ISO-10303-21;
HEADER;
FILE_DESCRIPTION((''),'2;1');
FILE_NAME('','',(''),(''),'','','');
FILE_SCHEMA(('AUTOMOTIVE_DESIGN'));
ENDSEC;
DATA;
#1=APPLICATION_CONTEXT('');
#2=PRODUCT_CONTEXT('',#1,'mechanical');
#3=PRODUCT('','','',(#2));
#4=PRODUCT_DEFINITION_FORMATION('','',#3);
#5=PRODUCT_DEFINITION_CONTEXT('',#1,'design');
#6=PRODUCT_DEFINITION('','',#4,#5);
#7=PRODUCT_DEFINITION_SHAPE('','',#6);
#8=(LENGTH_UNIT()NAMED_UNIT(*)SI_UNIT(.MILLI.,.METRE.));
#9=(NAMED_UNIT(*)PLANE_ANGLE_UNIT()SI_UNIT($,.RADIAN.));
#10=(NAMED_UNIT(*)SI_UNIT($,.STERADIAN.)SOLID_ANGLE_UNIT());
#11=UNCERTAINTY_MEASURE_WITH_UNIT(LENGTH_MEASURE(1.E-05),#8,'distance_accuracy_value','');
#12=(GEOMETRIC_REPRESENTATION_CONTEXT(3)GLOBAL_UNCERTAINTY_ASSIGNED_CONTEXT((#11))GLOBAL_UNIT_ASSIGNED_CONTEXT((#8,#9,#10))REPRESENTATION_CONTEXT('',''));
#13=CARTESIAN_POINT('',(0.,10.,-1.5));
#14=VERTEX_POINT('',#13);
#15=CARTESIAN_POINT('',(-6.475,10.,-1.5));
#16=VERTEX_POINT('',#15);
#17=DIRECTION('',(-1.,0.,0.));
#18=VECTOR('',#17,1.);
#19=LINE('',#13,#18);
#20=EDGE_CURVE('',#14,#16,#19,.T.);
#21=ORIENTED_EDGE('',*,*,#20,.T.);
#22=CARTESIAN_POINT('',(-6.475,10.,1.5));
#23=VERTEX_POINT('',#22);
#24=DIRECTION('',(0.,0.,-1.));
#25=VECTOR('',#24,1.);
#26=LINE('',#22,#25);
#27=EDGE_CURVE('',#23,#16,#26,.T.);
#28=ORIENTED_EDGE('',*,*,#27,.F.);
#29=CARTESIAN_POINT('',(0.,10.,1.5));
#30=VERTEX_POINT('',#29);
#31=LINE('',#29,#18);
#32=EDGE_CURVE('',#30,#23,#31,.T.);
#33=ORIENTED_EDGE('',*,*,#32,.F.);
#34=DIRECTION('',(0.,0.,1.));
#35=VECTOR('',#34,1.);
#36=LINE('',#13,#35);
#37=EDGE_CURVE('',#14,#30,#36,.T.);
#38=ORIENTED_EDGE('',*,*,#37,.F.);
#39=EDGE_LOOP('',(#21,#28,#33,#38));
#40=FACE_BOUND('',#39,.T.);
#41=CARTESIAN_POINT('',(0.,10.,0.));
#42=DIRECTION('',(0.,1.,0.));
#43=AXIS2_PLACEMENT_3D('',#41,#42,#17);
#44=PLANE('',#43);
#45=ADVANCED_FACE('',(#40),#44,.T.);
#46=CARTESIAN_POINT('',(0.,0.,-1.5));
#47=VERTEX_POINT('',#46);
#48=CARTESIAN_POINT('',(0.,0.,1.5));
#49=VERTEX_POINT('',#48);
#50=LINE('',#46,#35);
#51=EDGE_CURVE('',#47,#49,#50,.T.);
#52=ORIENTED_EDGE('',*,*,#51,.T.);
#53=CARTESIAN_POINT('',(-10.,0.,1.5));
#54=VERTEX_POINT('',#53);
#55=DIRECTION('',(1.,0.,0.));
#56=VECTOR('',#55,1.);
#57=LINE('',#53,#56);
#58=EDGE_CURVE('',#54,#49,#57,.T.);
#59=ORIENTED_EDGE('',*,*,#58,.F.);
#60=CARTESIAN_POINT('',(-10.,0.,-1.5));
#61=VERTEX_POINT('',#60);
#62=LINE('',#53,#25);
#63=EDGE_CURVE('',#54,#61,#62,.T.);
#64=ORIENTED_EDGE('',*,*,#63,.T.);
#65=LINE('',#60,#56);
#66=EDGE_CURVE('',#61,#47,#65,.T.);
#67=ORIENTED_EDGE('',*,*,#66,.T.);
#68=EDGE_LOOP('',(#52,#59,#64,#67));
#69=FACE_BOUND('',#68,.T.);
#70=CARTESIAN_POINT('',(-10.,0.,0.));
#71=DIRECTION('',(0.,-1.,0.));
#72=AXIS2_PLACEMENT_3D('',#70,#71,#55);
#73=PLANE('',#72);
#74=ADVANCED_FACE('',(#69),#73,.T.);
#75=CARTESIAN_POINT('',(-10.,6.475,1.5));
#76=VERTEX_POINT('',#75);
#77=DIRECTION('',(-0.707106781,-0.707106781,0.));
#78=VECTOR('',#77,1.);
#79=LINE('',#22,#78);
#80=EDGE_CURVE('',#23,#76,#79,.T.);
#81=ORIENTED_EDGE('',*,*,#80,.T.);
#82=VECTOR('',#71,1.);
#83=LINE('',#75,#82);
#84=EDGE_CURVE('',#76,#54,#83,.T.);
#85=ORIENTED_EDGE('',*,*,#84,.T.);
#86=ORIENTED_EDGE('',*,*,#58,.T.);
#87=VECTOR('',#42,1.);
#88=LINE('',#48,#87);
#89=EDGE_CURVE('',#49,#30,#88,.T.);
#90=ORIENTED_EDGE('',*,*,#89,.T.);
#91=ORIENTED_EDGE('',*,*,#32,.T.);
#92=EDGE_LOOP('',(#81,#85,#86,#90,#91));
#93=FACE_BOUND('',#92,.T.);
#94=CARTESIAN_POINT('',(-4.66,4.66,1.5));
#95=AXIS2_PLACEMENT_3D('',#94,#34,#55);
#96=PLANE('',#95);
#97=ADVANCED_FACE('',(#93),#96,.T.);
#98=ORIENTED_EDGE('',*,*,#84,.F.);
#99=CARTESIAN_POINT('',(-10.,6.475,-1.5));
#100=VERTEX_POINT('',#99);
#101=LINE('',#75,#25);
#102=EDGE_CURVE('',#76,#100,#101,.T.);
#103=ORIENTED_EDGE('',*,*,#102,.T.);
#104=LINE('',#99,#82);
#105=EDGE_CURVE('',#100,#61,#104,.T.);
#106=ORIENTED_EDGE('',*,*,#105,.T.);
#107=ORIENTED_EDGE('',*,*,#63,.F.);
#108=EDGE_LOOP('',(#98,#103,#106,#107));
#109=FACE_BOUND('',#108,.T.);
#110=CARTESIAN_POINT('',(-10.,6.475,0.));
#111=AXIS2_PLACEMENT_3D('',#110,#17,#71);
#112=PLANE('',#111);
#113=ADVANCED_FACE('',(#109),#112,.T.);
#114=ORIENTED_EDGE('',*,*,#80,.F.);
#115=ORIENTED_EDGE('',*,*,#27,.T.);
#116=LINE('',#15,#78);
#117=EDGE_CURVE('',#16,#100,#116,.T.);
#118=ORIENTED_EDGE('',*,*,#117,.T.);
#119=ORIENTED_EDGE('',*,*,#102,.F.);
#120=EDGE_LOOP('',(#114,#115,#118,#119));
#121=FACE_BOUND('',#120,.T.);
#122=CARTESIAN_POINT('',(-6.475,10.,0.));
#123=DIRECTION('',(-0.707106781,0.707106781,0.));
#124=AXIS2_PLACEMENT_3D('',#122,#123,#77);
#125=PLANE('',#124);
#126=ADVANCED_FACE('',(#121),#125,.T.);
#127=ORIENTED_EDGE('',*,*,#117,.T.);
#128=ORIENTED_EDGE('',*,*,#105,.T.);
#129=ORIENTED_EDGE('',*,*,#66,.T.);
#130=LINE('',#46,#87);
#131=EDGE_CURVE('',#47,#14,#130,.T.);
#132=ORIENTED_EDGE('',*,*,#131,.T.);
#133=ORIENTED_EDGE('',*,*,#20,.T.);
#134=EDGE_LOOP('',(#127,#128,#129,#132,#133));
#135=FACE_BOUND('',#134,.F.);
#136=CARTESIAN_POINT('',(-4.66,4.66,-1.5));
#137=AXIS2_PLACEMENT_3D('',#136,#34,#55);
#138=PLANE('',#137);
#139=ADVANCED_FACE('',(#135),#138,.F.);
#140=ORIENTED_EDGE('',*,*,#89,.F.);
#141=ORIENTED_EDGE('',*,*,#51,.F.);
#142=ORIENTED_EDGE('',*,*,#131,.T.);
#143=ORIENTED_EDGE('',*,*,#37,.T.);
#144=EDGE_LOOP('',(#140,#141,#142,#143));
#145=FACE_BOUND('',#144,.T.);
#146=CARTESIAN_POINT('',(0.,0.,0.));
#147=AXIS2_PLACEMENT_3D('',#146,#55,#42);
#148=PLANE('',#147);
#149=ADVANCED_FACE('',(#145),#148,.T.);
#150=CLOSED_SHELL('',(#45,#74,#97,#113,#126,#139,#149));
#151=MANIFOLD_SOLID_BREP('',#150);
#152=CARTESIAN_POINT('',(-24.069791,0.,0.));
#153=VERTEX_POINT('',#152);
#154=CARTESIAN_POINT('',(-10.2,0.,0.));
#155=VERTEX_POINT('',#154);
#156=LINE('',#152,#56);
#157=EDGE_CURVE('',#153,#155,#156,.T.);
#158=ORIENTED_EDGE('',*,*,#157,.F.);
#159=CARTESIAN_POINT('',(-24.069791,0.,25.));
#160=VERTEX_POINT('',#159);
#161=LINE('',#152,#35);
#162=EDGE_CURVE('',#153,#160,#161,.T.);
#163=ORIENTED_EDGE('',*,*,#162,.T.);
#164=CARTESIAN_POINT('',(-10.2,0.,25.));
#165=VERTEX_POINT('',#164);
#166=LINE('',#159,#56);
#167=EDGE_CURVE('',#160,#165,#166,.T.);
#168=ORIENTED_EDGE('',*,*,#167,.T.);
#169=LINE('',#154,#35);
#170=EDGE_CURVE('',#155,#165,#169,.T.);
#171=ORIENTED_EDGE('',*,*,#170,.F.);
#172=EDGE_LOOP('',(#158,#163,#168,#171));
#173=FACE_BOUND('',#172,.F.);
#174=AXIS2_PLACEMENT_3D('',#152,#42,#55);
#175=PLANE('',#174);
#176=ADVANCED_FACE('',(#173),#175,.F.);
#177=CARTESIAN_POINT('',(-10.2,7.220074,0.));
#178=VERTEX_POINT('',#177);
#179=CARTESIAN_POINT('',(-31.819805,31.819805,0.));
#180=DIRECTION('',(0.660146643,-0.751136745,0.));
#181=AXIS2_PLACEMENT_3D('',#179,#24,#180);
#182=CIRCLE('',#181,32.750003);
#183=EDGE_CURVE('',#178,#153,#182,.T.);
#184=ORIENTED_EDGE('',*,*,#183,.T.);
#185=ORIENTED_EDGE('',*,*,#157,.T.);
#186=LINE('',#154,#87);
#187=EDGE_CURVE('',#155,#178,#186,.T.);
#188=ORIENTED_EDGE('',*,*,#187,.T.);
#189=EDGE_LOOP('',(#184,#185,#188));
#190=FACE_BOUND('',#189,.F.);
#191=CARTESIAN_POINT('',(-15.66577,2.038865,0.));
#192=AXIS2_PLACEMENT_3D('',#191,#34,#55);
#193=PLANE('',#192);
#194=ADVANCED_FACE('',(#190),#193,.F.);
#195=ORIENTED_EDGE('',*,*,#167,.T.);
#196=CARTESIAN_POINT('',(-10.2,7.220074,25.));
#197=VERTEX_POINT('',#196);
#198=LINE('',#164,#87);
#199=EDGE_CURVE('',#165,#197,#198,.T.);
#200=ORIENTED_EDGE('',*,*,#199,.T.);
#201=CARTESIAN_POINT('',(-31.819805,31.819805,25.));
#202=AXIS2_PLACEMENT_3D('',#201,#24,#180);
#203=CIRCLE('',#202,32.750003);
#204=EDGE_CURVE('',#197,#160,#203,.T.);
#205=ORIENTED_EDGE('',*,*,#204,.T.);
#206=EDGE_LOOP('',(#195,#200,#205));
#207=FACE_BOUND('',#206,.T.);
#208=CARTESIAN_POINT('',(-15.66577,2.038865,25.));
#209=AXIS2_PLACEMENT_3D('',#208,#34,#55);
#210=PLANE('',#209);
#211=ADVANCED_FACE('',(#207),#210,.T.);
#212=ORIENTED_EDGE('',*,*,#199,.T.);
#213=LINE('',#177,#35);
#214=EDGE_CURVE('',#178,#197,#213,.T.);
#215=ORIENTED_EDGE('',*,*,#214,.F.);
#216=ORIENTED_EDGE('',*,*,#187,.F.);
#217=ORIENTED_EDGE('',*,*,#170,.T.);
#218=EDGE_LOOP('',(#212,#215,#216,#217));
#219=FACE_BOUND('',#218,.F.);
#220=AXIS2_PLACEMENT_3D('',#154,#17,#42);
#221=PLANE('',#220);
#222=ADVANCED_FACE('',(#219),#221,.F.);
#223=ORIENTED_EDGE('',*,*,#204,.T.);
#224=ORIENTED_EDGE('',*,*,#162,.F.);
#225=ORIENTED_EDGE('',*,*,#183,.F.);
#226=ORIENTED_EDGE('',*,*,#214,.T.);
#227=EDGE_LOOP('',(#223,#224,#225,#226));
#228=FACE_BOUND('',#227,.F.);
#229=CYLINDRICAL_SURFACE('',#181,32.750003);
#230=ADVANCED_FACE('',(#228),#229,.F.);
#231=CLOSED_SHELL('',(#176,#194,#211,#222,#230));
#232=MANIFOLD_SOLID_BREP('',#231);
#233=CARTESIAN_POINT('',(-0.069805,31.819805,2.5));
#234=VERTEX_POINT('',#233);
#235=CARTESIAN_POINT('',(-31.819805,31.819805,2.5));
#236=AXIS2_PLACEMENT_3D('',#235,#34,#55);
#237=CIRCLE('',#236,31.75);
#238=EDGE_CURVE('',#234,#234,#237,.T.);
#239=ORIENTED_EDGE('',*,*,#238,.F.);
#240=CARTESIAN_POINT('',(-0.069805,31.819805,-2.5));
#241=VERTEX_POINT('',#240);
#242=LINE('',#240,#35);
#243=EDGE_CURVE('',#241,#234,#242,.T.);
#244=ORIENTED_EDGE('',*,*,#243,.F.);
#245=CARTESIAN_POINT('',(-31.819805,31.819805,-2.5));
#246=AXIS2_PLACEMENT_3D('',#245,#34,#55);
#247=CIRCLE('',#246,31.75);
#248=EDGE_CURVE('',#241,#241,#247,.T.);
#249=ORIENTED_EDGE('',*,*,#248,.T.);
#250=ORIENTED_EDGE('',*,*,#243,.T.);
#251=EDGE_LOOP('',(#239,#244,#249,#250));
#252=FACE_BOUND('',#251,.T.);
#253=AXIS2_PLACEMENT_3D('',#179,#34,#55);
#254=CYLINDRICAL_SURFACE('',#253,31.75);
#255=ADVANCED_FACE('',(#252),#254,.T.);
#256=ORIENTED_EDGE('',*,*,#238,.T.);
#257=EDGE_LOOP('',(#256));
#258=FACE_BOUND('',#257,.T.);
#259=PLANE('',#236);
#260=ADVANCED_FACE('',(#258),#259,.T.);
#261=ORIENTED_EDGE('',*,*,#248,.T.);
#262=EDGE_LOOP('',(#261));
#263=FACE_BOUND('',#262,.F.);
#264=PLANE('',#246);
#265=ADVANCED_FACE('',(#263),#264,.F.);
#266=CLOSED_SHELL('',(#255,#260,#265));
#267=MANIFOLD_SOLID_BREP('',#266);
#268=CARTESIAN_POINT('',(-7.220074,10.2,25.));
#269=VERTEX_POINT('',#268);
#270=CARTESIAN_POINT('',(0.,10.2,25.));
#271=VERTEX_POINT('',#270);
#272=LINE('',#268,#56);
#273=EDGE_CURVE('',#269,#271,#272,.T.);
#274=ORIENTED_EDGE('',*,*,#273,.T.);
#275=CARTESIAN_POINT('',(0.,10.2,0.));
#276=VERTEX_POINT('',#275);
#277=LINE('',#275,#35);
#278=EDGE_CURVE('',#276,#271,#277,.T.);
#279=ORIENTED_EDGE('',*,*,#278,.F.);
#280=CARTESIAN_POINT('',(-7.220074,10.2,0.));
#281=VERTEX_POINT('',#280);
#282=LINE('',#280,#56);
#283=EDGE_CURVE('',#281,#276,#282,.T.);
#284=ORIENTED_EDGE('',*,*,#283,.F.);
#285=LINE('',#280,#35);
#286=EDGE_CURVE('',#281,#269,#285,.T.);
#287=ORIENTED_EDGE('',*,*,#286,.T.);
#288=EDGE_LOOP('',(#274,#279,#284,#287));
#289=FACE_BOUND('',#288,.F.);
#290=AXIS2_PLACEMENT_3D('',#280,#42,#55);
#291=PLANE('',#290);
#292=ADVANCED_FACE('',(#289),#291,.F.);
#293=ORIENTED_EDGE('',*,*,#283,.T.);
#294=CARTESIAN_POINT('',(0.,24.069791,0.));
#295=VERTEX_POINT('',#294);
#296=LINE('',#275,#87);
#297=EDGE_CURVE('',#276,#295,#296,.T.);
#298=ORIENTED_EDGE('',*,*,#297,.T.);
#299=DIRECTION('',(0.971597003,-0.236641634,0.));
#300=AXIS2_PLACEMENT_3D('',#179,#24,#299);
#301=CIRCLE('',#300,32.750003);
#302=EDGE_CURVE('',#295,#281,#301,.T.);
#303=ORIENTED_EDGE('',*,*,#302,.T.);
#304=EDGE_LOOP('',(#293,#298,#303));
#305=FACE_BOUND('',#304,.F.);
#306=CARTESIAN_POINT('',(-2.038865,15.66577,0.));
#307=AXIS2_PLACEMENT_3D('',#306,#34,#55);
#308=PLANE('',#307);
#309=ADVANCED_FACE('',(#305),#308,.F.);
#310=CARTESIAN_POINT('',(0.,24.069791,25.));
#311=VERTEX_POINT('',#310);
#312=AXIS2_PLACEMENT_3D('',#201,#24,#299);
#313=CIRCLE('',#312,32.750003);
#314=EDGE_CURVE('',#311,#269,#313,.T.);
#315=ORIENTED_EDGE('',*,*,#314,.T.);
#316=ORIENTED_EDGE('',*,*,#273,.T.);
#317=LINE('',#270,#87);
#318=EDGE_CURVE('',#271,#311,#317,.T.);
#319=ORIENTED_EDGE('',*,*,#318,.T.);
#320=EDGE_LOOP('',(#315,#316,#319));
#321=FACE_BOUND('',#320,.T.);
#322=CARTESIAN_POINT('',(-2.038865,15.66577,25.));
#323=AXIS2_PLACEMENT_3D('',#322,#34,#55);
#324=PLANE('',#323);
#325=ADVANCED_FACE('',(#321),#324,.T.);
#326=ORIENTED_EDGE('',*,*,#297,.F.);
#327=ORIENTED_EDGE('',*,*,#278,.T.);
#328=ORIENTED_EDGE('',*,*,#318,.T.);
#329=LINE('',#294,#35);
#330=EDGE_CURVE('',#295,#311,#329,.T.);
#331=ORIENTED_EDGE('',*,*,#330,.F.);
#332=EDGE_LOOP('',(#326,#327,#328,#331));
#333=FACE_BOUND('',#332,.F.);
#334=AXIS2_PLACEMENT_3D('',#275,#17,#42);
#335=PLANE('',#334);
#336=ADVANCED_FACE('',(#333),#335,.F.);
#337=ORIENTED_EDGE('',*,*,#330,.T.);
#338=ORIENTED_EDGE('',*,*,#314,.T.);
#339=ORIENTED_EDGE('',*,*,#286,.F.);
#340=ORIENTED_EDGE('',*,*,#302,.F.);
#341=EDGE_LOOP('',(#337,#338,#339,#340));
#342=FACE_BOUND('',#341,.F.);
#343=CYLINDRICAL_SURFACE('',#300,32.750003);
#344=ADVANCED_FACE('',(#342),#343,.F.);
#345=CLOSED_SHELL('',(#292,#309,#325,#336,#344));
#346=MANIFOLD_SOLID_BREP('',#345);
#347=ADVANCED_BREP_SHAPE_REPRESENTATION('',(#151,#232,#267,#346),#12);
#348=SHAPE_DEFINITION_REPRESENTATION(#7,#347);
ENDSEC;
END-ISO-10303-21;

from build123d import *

# Parameters (mm, degrees)
F0_R     = 31.75
F1_DEPTH = 2.5
F3_DEPTH = 1.5
F4_DEPTH = 25


with BuildPart() as f1:
    # F0 (on Top) → F1 (new body, symmetric)
    with BuildSketch(Plane.XY):
        with Locations((-31.8198051534, 31.8198051534)):
            Circle(F0_R)
    extrude(amount=F1_DEPTH, both=True)


with BuildPart() as f3:
    # F2 (on Top) → F3 (new body, symmetric)
    with BuildSketch(Plane.XY):
        Polygon((-10, 0), (0, 0), (0, 10), (-6.475, 10), (-10, 6.475), align=None)
    extrude(amount=F3_DEPTH, both=True)


with BuildPart() as f4:
    # F2 (on Top) → F4 (new body)
    with BuildSketch(Plane.XY):
        with BuildLine():
            ThreePointArc((-10.2000003681, 7.2200741987), (-16.6976711615, 2.770127263), (-24.0697908307, 0))
            Line((-24.0697908307, 0), (-10.2000003681, 0))
            Line((-10.2000003681, 0), (-10.2000003681, 7.2200741987))
        make_face()
    extrude(amount=F4_DEPTH)


with BuildPart() as f4b:
    # F2 (on Top) → F4, piece 2 (new body)
    with BuildSketch(Plane.XY):
        with BuildLine():
            Line((-7.2200741987, 10.2000003681), (0, 10.2000003681))
            Line((0, 10.2000003681), (0, 24.0697908307))
            ThreePointArc((0, 24.0697908307), (-2.770127263, 16.6976711615), (-7.2200741987, 10.2000003681))
        make_face()
    extrude(amount=F4_DEPTH)


solid = Compound([f1.part, f3.part, f4.part, f4b.part])
